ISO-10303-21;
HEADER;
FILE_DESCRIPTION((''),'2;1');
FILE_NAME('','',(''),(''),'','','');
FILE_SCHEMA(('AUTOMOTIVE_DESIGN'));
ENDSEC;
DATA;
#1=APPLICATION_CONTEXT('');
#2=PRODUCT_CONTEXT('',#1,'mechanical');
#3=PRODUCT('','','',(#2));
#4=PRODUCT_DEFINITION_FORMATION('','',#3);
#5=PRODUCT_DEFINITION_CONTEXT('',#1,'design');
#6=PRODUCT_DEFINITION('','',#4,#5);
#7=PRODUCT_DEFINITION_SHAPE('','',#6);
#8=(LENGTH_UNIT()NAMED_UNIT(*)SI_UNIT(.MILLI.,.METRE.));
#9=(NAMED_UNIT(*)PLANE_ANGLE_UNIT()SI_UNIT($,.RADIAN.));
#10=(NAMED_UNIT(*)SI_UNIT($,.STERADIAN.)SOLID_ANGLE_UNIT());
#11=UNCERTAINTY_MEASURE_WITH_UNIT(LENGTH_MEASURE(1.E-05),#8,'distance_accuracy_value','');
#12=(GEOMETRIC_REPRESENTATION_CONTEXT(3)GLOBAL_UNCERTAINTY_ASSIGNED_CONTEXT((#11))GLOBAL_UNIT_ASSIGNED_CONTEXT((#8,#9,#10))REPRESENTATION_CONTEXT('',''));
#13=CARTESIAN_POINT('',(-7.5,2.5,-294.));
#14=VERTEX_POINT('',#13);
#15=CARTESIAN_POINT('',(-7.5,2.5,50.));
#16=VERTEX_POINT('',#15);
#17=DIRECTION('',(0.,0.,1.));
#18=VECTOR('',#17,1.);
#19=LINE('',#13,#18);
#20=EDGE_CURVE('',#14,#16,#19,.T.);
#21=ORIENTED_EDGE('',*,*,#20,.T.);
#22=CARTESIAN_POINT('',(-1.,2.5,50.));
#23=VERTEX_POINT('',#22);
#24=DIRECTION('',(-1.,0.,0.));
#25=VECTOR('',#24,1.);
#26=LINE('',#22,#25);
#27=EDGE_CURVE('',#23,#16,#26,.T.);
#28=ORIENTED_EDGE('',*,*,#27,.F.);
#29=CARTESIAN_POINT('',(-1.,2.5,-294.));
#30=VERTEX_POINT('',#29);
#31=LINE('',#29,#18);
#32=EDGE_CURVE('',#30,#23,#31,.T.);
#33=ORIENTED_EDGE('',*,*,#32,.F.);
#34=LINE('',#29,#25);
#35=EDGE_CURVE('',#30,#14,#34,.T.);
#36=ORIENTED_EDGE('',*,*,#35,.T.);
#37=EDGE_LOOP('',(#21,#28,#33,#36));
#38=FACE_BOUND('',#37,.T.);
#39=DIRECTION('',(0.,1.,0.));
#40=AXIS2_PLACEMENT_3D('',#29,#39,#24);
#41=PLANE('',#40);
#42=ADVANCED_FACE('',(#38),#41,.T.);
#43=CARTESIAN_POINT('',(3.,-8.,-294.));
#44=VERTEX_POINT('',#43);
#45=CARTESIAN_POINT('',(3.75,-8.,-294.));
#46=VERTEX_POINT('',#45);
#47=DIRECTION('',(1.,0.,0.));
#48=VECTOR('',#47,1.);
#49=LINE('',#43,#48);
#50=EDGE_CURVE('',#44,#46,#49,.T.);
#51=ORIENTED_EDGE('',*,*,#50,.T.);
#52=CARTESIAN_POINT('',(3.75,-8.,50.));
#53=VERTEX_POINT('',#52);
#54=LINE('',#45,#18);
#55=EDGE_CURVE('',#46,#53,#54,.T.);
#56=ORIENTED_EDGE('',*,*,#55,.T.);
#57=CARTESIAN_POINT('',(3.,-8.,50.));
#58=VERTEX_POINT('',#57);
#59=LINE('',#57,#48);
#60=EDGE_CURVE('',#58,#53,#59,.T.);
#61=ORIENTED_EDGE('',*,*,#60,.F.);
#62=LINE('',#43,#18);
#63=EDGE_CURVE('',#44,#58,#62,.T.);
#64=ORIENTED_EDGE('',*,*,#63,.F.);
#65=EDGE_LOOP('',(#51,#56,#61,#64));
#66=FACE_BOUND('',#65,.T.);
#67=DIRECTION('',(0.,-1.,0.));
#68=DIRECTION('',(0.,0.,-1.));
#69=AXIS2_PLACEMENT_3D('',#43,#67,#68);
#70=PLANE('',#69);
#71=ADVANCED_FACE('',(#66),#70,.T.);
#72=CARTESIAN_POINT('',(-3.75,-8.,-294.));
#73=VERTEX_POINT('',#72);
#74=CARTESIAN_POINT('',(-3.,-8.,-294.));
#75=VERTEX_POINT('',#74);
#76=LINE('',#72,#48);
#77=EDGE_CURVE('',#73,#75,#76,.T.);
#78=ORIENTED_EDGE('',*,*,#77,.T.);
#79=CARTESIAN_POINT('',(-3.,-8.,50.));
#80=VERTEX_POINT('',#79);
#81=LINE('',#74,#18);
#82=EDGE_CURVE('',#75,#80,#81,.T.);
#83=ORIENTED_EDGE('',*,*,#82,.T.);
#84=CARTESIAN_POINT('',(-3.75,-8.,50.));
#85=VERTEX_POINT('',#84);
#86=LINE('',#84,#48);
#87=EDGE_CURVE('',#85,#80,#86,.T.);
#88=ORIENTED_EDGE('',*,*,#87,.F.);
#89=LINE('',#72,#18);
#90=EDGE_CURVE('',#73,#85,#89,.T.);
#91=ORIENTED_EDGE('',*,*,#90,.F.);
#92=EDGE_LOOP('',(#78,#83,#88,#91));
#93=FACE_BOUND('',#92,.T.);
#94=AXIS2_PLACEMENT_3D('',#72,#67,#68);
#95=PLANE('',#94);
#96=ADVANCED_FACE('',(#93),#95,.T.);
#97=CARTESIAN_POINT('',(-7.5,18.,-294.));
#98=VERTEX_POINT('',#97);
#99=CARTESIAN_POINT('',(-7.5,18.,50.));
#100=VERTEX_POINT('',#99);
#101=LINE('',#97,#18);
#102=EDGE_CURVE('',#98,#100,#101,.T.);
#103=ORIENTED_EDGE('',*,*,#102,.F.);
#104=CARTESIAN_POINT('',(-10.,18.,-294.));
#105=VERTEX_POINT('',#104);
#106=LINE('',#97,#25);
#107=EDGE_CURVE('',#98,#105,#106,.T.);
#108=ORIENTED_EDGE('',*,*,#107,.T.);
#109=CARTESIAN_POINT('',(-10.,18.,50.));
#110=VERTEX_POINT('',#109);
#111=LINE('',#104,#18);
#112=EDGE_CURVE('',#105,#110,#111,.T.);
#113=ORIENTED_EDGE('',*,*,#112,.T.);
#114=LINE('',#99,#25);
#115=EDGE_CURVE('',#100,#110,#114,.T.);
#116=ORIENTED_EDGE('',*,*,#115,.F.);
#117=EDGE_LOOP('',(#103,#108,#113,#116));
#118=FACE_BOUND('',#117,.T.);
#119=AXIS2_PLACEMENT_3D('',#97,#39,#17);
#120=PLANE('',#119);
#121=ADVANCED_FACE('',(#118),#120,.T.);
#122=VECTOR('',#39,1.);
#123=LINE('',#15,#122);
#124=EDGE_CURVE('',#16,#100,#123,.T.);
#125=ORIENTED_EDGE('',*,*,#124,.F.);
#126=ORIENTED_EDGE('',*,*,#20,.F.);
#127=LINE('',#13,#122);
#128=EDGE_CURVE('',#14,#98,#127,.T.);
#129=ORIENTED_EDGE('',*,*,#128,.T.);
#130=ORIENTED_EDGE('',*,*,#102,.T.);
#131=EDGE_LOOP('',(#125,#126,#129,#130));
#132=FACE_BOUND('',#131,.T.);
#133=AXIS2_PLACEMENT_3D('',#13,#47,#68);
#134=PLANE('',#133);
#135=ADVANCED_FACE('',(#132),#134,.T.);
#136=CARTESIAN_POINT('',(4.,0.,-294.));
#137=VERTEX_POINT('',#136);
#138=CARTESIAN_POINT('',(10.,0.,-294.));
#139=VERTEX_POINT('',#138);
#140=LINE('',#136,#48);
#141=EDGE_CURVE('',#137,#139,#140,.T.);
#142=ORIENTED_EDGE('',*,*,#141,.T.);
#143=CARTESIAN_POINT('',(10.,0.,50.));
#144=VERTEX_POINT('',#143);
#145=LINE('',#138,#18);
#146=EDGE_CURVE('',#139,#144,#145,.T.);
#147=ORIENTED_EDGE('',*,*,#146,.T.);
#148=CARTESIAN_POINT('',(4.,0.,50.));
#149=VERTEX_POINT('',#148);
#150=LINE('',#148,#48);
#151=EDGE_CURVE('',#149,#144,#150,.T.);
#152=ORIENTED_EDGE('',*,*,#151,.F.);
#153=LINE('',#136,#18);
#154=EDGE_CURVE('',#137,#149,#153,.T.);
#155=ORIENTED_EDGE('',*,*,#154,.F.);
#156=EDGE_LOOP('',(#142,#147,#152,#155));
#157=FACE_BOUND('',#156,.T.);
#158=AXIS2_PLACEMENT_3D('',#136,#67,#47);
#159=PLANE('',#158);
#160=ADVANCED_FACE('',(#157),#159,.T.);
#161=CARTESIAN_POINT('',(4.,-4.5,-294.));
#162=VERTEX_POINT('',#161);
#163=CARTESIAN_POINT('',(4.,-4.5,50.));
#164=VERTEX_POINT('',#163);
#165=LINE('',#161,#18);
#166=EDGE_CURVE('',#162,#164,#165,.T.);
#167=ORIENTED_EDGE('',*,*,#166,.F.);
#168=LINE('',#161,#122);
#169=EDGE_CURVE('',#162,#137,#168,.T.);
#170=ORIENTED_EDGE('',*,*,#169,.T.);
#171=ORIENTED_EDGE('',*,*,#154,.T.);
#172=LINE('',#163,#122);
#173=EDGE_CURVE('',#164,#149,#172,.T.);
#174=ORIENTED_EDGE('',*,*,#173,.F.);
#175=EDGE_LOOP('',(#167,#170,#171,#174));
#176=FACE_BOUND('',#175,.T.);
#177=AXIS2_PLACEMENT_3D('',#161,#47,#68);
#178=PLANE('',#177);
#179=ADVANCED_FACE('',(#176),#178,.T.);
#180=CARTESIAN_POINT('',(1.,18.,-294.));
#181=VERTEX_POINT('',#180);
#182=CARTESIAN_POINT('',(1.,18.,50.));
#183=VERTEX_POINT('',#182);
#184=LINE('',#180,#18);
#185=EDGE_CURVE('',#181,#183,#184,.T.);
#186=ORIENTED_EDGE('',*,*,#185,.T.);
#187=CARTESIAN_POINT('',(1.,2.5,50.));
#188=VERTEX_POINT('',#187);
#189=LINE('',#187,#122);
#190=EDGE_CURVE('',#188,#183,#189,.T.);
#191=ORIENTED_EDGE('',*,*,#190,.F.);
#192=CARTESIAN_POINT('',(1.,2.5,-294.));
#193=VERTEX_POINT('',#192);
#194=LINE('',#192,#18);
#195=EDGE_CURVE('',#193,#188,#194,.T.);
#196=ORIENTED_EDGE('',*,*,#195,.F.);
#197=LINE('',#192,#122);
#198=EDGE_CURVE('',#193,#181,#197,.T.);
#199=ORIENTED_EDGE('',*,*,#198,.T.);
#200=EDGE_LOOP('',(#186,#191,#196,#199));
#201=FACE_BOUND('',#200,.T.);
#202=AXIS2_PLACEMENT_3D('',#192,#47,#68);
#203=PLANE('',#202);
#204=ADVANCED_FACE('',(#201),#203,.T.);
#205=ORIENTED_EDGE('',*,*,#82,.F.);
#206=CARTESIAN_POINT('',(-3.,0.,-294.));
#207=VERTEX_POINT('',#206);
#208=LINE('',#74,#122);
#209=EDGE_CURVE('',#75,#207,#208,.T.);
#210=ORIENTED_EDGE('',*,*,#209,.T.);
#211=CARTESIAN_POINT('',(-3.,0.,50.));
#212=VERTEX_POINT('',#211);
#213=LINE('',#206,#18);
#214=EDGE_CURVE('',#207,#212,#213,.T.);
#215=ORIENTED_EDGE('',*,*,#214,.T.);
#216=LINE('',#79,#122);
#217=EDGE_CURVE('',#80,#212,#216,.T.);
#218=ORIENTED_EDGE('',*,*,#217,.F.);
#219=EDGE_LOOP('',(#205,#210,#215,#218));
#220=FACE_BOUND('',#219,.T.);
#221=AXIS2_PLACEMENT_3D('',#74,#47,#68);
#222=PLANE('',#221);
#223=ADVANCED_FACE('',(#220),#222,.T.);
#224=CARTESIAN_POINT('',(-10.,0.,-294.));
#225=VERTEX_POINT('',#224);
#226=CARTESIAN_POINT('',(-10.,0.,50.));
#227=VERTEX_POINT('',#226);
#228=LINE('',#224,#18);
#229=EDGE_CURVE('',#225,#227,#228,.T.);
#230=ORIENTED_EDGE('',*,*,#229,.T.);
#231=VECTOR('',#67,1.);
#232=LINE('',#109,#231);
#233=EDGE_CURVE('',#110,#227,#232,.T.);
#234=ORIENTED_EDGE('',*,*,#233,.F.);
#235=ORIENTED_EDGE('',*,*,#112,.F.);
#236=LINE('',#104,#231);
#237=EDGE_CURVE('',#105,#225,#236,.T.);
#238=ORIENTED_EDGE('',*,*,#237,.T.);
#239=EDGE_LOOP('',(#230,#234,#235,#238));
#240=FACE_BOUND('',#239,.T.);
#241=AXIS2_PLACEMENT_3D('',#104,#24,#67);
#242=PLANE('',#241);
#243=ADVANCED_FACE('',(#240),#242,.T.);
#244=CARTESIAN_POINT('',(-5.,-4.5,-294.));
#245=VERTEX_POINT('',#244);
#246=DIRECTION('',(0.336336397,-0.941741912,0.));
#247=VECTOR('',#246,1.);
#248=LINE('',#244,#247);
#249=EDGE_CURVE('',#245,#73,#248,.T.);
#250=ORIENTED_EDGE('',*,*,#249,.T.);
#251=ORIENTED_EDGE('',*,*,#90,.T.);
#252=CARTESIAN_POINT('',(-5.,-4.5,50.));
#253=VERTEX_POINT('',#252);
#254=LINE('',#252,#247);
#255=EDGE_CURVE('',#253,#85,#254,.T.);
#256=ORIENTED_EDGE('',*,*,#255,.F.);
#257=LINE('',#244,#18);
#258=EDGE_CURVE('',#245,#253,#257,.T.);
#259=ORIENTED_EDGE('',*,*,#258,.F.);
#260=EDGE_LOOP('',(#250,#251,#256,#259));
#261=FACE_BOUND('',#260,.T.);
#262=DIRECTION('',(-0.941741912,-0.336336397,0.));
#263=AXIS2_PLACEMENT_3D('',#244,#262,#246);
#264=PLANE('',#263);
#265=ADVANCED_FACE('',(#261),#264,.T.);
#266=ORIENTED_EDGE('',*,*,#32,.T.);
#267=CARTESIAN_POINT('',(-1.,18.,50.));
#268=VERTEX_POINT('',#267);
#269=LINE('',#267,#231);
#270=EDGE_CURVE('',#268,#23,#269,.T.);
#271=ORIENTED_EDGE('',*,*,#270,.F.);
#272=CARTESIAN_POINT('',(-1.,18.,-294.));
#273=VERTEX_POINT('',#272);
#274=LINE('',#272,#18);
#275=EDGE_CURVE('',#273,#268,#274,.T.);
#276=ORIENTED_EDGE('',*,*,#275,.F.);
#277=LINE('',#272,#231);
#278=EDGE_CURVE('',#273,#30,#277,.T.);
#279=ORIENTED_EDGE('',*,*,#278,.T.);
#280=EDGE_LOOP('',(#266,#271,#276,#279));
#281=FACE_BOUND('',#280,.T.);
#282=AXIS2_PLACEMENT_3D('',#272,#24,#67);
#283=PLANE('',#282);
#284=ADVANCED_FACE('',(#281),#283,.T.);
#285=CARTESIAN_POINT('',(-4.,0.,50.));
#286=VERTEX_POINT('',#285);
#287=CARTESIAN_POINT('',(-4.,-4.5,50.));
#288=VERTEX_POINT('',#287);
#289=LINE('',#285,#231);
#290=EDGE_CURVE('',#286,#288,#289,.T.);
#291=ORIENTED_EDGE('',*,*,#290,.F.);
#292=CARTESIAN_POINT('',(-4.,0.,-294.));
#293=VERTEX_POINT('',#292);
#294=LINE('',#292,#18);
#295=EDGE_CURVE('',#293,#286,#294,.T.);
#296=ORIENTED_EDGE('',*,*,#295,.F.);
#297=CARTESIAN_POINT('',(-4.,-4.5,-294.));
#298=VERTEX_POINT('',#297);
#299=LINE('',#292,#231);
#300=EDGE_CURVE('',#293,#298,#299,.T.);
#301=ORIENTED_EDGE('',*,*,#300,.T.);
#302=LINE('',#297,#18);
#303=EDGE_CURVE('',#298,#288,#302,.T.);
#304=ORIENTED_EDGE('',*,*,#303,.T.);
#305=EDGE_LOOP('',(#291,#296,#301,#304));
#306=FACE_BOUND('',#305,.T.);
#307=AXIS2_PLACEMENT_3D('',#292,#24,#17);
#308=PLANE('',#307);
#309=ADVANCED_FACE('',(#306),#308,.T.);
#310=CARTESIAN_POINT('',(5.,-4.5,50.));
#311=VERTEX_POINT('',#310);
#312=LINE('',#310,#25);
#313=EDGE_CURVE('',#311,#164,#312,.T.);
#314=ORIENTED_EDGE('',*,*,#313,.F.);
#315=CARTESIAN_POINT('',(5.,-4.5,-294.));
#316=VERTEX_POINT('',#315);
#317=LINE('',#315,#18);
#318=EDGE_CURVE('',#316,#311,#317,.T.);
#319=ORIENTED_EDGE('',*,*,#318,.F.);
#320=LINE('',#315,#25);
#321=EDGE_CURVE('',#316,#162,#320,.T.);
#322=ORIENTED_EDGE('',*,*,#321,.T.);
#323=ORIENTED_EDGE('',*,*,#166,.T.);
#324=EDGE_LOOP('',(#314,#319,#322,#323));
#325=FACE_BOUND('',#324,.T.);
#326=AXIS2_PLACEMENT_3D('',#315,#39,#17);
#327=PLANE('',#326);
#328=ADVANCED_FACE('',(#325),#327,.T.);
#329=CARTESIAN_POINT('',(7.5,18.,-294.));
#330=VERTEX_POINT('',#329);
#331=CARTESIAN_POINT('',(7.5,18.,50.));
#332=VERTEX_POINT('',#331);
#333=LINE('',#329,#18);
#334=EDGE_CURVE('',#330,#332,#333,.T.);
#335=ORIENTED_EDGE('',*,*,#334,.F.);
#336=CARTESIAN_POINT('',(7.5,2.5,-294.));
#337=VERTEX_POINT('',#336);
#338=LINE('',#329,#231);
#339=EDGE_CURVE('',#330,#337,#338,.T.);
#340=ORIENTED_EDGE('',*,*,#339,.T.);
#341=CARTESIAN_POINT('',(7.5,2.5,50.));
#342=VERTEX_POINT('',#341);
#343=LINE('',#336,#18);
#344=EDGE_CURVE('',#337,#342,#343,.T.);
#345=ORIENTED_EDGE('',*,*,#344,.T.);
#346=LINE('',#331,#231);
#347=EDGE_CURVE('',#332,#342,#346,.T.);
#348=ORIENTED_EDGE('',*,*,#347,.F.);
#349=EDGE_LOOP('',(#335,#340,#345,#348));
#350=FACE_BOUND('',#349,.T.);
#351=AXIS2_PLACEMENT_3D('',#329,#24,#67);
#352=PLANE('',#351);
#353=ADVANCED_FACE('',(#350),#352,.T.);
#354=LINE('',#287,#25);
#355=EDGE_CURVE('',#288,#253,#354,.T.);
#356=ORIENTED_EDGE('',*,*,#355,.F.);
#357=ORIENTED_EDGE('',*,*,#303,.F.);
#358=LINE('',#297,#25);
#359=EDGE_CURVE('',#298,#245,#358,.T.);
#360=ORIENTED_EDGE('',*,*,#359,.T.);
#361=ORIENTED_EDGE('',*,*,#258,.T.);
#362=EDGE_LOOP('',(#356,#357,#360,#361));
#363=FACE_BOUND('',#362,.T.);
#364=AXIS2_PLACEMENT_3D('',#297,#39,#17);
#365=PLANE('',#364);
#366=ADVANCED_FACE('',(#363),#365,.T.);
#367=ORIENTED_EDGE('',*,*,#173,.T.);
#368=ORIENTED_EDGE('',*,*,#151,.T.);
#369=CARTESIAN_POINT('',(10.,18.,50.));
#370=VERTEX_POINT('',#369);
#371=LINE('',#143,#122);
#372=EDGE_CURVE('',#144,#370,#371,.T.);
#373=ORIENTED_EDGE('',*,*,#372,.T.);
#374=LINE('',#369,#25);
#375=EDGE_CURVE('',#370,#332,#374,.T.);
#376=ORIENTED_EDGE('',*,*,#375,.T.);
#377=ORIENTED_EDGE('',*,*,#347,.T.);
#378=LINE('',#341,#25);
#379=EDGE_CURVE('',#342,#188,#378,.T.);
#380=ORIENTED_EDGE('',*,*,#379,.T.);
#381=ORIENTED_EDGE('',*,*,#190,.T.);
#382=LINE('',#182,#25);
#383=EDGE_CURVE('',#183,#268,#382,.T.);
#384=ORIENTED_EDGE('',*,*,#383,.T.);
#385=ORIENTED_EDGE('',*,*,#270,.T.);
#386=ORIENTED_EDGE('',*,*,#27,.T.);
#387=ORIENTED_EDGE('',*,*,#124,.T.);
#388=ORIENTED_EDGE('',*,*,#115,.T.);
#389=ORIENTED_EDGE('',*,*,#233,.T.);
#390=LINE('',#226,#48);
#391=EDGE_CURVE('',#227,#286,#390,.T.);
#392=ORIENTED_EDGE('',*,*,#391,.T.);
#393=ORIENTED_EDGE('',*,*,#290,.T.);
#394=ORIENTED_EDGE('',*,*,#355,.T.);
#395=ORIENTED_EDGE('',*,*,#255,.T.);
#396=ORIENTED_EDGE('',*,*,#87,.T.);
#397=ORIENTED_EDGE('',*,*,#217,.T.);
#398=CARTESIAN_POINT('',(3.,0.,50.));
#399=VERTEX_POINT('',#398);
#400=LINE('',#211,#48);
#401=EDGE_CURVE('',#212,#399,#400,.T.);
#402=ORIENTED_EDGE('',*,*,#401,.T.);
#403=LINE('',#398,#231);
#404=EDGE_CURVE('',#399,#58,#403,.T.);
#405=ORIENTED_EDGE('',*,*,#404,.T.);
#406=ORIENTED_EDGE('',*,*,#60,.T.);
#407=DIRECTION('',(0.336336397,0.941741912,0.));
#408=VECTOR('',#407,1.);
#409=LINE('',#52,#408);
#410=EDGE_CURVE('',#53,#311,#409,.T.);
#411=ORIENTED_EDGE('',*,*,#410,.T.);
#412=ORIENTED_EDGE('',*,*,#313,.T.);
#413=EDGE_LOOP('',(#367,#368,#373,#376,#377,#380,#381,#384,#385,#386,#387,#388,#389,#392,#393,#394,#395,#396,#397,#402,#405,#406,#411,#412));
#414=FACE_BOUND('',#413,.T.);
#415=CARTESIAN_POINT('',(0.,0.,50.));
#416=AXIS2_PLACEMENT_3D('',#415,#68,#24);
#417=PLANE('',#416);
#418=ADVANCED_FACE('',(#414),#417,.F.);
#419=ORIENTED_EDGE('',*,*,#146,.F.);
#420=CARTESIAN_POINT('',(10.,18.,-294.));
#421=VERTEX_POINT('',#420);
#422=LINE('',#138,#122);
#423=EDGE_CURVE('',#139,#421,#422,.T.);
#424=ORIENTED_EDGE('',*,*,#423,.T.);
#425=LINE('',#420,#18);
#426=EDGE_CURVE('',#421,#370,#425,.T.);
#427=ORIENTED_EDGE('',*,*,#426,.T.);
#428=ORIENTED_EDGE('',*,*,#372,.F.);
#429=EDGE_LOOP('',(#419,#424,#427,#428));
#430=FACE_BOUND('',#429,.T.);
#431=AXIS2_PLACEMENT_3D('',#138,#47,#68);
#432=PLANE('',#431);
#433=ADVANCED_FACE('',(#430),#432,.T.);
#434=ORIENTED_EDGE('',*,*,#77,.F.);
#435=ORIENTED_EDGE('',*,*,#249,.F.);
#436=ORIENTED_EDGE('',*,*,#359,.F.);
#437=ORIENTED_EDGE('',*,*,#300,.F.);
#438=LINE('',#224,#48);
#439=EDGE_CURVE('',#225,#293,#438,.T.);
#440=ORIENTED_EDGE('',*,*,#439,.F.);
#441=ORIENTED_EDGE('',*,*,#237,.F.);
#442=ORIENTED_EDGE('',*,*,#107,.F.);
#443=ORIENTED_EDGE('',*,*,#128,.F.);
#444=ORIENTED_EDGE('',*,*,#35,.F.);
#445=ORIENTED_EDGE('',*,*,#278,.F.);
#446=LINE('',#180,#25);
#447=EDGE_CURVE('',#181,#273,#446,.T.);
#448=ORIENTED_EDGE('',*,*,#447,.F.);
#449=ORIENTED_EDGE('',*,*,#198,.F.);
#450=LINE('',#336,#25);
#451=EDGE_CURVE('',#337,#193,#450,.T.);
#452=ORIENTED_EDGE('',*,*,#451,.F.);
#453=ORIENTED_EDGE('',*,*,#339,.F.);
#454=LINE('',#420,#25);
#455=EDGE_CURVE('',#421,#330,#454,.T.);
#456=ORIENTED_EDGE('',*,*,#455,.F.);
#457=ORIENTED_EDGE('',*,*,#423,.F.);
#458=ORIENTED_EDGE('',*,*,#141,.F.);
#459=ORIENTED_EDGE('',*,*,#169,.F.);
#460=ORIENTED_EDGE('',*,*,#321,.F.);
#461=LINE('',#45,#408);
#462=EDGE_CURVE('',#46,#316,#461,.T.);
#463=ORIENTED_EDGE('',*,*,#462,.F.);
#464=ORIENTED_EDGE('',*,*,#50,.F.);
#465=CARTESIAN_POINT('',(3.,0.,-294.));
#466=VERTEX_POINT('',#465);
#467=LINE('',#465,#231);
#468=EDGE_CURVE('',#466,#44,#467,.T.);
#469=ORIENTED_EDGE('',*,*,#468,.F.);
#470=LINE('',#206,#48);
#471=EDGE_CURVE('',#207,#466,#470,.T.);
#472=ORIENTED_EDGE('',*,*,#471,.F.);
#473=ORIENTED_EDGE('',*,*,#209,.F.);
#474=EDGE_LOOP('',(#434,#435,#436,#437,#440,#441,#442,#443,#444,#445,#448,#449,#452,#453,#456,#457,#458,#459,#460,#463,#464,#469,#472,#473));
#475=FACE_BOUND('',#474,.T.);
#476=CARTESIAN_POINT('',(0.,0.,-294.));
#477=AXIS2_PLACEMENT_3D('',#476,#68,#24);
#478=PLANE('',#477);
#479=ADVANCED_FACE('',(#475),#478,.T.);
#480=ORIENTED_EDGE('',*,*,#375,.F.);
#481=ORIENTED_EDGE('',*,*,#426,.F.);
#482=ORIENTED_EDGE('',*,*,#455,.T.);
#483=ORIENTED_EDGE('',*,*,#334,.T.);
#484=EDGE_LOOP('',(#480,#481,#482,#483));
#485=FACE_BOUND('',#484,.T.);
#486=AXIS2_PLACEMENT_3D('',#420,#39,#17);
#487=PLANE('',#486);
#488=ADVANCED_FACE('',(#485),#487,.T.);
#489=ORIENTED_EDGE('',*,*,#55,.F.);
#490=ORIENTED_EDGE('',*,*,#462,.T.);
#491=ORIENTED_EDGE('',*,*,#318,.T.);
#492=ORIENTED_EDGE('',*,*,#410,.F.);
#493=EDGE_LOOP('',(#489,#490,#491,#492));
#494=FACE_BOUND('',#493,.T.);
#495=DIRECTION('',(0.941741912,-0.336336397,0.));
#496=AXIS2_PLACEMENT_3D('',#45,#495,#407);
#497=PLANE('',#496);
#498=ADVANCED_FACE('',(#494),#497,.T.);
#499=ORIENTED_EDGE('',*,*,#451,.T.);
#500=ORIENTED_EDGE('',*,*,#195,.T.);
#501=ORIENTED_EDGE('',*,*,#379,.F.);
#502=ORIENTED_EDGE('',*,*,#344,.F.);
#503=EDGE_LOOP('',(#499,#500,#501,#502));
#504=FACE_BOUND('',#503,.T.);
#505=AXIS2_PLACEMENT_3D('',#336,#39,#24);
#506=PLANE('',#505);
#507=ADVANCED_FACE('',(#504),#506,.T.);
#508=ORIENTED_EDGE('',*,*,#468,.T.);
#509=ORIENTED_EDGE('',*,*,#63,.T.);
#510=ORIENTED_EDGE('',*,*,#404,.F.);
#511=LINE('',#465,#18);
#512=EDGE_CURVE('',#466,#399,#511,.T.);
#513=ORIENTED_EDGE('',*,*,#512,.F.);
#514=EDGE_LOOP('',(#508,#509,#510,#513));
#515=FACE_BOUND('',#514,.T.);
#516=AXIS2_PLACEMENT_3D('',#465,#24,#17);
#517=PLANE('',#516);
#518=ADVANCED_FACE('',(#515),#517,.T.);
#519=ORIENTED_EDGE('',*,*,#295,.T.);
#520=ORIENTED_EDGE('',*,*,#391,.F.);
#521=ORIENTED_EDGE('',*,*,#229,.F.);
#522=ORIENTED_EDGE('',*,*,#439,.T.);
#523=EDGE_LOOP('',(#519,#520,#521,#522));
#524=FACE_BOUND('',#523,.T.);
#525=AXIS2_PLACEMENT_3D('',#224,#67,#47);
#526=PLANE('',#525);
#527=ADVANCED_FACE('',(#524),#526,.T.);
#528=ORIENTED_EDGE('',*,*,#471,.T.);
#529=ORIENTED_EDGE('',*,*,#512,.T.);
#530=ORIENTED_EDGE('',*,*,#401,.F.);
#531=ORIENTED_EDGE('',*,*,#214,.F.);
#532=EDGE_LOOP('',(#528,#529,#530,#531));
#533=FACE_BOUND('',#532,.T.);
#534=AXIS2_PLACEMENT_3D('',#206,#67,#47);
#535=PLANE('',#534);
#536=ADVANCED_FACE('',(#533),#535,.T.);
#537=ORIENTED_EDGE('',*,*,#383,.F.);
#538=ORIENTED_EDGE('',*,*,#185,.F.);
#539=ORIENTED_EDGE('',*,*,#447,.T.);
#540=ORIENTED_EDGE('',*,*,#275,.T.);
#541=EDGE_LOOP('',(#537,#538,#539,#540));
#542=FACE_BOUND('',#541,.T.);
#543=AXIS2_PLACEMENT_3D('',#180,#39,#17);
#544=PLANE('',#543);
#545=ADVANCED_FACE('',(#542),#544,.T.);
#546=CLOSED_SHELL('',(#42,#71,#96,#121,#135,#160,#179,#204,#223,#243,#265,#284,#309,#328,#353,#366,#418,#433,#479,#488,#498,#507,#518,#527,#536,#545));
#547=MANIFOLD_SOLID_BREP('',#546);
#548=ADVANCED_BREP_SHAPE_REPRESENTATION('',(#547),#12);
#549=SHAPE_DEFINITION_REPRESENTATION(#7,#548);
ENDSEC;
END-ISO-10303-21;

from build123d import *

# Parameters (mm, degrees)
BOSS_EXTRU_1_DEPTH = 344


with BuildPart() as part:
    # Esquisse1 → Boss.-Extru.1 (new body)
    with BuildSketch(Plane.XY.offset(50)):
        Polygon((-1, 2.5), (-7.5, 2.5), (-7.5, 17.999999998), (-10, 17.999999998), (-10, 0), (-4, 0), (-4, -4.5), (-5, -4.5), (-3.75, -8), (-3, -8), (-3, 0), (3, 0), (3, -8), (3.75, -8), (5, -4.5), (4, -4.5), (4, 0), (10, 0), (10, 17.999999998), (7.5, 17.999999998), (7.5, 2.5), (1, 2.5), (1, 17.999999998), (-1, 17.999999998), align=None)
    extrude(amount=-BOSS_EXTRU_1_DEPTH)


solid = part.part
